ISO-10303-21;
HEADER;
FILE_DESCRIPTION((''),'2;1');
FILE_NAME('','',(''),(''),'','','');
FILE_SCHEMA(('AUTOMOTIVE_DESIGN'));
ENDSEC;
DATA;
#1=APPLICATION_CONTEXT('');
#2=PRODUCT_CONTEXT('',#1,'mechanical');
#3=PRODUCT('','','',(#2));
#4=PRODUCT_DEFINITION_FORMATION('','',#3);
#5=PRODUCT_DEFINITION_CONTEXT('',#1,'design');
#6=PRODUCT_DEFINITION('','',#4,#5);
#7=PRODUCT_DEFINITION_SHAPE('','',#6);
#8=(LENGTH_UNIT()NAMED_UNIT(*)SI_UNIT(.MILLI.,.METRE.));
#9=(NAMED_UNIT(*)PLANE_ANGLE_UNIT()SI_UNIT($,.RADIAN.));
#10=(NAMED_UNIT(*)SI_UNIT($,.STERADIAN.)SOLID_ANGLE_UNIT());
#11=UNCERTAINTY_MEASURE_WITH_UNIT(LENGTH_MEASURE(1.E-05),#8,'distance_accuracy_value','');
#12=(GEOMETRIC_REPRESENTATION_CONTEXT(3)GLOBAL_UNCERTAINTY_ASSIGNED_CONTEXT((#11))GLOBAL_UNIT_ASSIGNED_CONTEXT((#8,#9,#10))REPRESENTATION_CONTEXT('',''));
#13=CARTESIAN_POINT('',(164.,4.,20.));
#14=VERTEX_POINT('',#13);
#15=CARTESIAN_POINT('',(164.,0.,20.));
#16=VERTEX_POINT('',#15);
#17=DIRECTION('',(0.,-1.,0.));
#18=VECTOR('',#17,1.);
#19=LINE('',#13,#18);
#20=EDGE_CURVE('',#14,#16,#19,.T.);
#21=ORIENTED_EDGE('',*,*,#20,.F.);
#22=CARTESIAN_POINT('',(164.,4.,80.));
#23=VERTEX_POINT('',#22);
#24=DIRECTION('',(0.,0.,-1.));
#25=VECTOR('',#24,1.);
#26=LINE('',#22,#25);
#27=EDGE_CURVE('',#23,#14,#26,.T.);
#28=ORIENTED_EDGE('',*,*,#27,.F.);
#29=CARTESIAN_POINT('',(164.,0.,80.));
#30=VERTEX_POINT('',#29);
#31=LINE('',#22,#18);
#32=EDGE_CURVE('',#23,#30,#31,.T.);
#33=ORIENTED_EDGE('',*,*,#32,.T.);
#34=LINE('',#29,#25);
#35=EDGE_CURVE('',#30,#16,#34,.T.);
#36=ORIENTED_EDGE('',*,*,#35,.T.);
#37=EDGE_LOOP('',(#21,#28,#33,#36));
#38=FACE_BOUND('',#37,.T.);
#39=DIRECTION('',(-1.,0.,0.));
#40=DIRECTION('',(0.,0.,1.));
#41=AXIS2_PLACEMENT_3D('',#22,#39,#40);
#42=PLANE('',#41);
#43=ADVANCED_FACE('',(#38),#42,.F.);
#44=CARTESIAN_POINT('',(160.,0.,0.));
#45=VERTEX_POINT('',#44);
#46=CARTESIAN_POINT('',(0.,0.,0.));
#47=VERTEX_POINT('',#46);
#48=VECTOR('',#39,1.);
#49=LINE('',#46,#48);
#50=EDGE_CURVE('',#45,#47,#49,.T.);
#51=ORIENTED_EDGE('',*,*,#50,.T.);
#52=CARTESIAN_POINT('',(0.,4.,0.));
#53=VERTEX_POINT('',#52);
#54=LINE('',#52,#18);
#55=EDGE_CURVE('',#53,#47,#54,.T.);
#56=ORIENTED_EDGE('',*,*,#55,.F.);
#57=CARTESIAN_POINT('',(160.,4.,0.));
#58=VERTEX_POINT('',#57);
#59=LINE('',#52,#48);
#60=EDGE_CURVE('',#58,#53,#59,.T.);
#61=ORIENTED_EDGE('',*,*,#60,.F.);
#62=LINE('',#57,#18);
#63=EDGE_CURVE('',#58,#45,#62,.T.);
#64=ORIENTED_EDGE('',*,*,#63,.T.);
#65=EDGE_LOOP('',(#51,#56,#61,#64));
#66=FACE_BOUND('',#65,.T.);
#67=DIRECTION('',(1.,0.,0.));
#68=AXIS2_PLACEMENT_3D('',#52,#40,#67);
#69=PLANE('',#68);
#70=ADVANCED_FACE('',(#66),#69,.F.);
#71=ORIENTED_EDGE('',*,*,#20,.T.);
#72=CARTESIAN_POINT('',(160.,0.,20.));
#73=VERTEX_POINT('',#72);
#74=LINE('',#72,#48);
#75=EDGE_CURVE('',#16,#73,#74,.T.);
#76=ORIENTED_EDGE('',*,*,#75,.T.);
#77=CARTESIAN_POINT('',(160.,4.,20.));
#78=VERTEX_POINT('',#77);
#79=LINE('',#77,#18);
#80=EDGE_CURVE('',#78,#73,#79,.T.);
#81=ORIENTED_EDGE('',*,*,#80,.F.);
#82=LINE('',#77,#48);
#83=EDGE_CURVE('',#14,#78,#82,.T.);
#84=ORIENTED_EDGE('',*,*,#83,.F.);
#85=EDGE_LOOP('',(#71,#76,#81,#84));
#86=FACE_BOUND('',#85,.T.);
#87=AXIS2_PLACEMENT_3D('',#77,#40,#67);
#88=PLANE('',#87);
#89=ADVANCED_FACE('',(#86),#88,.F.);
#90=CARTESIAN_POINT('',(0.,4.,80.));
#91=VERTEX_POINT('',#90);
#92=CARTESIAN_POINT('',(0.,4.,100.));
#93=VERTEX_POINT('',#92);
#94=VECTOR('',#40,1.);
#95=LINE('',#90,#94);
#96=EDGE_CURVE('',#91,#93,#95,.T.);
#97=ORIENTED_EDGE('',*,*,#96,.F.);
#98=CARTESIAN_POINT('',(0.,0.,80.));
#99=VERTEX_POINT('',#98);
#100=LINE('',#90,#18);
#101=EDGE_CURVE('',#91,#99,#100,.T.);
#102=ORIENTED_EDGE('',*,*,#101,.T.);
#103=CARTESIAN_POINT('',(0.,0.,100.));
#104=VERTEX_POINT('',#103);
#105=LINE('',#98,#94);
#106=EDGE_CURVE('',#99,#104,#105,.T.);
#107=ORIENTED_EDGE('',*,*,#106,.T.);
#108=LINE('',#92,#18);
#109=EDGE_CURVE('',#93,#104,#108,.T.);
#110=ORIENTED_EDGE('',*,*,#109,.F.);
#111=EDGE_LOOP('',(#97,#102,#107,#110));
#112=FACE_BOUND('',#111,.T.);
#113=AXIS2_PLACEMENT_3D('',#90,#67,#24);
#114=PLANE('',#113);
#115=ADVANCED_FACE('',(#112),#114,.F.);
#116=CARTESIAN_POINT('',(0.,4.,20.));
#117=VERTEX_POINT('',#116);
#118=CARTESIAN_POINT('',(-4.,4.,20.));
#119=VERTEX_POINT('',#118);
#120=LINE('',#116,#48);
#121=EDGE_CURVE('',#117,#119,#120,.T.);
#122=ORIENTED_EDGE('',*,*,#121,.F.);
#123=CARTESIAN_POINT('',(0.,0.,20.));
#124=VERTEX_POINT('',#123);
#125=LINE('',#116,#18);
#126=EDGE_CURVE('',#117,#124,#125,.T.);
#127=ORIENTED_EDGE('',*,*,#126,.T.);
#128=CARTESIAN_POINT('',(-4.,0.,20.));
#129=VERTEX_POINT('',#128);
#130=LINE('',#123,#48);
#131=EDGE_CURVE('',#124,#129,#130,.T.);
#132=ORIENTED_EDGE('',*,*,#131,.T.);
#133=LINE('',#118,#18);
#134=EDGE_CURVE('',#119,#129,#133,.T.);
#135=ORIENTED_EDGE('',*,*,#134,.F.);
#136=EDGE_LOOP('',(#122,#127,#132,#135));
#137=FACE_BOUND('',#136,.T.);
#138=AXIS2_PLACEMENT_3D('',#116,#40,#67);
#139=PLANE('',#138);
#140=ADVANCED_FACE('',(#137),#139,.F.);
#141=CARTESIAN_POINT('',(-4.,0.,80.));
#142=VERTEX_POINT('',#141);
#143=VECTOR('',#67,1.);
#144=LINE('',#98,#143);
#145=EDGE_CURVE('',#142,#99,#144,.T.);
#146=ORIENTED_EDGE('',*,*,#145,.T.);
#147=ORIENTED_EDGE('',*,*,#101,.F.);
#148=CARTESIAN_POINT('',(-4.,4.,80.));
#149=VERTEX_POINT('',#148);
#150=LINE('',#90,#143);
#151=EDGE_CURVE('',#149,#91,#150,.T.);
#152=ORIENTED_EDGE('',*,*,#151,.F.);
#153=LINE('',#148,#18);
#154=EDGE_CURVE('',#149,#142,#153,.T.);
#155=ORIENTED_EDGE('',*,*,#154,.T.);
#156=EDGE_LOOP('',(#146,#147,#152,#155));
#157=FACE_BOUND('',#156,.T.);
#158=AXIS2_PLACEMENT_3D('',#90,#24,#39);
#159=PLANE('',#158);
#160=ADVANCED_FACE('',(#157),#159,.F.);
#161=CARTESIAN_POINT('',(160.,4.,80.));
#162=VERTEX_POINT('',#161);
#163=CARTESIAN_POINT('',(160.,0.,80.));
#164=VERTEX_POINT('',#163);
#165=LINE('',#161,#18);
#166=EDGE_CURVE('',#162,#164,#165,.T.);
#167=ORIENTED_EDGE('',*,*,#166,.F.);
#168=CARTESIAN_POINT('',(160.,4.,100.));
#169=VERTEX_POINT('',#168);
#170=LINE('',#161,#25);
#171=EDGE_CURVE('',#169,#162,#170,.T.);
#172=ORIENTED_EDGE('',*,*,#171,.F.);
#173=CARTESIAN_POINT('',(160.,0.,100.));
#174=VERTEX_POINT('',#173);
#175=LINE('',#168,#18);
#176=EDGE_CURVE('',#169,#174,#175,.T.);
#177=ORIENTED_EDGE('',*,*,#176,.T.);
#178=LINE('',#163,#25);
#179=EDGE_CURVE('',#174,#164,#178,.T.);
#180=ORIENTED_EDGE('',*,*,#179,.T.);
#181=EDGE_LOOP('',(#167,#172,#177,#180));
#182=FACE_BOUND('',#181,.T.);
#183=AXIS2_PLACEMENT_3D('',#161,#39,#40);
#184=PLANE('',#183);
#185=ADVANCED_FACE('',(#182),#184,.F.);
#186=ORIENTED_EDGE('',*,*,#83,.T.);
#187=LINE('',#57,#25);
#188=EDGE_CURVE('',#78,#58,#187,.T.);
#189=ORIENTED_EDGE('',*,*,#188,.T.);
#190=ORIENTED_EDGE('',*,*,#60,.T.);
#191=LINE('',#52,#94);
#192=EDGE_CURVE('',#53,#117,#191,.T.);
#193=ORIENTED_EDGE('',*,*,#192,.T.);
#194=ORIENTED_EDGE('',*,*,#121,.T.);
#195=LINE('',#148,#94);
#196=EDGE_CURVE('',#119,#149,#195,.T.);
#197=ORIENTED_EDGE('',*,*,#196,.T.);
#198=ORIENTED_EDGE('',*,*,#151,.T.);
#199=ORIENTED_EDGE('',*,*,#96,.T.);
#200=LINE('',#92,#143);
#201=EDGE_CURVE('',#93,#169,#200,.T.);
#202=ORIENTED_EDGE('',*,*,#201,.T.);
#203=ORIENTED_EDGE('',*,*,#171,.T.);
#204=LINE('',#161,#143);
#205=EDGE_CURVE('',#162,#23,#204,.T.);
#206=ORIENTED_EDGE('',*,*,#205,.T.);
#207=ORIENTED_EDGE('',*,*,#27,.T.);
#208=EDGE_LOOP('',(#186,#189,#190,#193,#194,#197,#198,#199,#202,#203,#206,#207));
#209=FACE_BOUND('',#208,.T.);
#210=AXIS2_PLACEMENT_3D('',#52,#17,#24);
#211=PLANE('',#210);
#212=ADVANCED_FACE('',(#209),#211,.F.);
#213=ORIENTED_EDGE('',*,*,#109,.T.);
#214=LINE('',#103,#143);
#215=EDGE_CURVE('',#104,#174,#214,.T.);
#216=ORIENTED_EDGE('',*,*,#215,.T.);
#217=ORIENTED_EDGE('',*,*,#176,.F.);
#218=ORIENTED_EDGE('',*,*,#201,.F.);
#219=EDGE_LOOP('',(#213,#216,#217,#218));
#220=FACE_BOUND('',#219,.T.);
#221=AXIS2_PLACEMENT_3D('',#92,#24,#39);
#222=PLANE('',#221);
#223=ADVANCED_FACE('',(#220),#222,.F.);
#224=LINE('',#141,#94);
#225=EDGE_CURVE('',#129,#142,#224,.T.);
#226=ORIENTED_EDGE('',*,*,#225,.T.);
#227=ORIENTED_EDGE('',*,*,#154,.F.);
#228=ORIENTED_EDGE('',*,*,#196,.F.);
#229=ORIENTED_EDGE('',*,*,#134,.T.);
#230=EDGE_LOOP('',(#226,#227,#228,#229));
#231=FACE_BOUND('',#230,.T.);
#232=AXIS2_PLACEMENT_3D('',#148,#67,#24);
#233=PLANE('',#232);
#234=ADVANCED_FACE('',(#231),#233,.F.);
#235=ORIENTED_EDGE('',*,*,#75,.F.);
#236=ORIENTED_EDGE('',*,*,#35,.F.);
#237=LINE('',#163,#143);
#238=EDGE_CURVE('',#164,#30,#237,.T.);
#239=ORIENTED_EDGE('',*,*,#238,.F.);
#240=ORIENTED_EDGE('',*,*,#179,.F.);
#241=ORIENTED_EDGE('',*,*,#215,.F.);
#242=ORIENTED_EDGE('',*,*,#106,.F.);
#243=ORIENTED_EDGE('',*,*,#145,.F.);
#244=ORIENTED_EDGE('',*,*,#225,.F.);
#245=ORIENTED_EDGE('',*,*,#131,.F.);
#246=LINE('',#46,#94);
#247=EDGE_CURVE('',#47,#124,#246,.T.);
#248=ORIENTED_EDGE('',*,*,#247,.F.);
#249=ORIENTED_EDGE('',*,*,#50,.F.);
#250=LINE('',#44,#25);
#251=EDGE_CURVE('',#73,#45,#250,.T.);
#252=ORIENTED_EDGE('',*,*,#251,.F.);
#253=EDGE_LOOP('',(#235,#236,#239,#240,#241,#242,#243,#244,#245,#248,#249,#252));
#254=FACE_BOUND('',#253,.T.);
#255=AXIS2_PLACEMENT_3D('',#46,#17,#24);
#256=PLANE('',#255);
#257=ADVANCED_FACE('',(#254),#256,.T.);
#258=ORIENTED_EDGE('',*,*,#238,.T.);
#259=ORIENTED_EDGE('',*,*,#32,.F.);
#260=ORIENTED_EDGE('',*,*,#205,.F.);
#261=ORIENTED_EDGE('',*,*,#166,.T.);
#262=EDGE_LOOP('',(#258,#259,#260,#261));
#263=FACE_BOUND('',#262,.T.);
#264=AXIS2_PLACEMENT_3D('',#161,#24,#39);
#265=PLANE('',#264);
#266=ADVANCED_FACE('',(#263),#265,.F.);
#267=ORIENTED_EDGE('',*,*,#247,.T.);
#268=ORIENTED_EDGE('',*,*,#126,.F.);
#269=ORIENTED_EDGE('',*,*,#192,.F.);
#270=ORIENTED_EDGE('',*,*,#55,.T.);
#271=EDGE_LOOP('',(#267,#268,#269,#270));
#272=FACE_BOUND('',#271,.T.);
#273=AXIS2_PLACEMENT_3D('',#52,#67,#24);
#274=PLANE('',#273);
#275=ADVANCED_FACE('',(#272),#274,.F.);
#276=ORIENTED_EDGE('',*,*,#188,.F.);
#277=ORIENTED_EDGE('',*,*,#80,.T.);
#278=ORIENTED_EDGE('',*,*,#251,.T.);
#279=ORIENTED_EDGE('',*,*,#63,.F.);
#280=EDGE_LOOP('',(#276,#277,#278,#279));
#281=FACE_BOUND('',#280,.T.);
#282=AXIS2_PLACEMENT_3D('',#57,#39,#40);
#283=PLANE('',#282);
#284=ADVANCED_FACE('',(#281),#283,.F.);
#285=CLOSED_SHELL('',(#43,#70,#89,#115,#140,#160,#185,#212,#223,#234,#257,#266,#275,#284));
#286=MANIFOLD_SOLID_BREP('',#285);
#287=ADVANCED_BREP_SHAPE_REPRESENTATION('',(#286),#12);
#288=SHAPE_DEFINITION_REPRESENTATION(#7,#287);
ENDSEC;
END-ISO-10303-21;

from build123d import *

# Parameters (mm, degrees)
BOSS_EXTRUDE1_DEPTH = 4


with BuildPart() as part:
    # Sketch2 → Boss-Extrude1 (new body)
    with BuildSketch(Plane(origin=(0, 0, 0), x_dir=(1, 0, 0), z_dir=(0, 1, 0))):
        Polygon((0, 0), (160, 0), (160, -20), (164, -20), (164, -80), (160, -80), (160, -100), (0, -100), (0, -80), (-4, -80), (-4, -20), (0, -20), align=None)
    extrude(amount=BOSS_EXTRUDE1_DEPTH)


solid = part.part
